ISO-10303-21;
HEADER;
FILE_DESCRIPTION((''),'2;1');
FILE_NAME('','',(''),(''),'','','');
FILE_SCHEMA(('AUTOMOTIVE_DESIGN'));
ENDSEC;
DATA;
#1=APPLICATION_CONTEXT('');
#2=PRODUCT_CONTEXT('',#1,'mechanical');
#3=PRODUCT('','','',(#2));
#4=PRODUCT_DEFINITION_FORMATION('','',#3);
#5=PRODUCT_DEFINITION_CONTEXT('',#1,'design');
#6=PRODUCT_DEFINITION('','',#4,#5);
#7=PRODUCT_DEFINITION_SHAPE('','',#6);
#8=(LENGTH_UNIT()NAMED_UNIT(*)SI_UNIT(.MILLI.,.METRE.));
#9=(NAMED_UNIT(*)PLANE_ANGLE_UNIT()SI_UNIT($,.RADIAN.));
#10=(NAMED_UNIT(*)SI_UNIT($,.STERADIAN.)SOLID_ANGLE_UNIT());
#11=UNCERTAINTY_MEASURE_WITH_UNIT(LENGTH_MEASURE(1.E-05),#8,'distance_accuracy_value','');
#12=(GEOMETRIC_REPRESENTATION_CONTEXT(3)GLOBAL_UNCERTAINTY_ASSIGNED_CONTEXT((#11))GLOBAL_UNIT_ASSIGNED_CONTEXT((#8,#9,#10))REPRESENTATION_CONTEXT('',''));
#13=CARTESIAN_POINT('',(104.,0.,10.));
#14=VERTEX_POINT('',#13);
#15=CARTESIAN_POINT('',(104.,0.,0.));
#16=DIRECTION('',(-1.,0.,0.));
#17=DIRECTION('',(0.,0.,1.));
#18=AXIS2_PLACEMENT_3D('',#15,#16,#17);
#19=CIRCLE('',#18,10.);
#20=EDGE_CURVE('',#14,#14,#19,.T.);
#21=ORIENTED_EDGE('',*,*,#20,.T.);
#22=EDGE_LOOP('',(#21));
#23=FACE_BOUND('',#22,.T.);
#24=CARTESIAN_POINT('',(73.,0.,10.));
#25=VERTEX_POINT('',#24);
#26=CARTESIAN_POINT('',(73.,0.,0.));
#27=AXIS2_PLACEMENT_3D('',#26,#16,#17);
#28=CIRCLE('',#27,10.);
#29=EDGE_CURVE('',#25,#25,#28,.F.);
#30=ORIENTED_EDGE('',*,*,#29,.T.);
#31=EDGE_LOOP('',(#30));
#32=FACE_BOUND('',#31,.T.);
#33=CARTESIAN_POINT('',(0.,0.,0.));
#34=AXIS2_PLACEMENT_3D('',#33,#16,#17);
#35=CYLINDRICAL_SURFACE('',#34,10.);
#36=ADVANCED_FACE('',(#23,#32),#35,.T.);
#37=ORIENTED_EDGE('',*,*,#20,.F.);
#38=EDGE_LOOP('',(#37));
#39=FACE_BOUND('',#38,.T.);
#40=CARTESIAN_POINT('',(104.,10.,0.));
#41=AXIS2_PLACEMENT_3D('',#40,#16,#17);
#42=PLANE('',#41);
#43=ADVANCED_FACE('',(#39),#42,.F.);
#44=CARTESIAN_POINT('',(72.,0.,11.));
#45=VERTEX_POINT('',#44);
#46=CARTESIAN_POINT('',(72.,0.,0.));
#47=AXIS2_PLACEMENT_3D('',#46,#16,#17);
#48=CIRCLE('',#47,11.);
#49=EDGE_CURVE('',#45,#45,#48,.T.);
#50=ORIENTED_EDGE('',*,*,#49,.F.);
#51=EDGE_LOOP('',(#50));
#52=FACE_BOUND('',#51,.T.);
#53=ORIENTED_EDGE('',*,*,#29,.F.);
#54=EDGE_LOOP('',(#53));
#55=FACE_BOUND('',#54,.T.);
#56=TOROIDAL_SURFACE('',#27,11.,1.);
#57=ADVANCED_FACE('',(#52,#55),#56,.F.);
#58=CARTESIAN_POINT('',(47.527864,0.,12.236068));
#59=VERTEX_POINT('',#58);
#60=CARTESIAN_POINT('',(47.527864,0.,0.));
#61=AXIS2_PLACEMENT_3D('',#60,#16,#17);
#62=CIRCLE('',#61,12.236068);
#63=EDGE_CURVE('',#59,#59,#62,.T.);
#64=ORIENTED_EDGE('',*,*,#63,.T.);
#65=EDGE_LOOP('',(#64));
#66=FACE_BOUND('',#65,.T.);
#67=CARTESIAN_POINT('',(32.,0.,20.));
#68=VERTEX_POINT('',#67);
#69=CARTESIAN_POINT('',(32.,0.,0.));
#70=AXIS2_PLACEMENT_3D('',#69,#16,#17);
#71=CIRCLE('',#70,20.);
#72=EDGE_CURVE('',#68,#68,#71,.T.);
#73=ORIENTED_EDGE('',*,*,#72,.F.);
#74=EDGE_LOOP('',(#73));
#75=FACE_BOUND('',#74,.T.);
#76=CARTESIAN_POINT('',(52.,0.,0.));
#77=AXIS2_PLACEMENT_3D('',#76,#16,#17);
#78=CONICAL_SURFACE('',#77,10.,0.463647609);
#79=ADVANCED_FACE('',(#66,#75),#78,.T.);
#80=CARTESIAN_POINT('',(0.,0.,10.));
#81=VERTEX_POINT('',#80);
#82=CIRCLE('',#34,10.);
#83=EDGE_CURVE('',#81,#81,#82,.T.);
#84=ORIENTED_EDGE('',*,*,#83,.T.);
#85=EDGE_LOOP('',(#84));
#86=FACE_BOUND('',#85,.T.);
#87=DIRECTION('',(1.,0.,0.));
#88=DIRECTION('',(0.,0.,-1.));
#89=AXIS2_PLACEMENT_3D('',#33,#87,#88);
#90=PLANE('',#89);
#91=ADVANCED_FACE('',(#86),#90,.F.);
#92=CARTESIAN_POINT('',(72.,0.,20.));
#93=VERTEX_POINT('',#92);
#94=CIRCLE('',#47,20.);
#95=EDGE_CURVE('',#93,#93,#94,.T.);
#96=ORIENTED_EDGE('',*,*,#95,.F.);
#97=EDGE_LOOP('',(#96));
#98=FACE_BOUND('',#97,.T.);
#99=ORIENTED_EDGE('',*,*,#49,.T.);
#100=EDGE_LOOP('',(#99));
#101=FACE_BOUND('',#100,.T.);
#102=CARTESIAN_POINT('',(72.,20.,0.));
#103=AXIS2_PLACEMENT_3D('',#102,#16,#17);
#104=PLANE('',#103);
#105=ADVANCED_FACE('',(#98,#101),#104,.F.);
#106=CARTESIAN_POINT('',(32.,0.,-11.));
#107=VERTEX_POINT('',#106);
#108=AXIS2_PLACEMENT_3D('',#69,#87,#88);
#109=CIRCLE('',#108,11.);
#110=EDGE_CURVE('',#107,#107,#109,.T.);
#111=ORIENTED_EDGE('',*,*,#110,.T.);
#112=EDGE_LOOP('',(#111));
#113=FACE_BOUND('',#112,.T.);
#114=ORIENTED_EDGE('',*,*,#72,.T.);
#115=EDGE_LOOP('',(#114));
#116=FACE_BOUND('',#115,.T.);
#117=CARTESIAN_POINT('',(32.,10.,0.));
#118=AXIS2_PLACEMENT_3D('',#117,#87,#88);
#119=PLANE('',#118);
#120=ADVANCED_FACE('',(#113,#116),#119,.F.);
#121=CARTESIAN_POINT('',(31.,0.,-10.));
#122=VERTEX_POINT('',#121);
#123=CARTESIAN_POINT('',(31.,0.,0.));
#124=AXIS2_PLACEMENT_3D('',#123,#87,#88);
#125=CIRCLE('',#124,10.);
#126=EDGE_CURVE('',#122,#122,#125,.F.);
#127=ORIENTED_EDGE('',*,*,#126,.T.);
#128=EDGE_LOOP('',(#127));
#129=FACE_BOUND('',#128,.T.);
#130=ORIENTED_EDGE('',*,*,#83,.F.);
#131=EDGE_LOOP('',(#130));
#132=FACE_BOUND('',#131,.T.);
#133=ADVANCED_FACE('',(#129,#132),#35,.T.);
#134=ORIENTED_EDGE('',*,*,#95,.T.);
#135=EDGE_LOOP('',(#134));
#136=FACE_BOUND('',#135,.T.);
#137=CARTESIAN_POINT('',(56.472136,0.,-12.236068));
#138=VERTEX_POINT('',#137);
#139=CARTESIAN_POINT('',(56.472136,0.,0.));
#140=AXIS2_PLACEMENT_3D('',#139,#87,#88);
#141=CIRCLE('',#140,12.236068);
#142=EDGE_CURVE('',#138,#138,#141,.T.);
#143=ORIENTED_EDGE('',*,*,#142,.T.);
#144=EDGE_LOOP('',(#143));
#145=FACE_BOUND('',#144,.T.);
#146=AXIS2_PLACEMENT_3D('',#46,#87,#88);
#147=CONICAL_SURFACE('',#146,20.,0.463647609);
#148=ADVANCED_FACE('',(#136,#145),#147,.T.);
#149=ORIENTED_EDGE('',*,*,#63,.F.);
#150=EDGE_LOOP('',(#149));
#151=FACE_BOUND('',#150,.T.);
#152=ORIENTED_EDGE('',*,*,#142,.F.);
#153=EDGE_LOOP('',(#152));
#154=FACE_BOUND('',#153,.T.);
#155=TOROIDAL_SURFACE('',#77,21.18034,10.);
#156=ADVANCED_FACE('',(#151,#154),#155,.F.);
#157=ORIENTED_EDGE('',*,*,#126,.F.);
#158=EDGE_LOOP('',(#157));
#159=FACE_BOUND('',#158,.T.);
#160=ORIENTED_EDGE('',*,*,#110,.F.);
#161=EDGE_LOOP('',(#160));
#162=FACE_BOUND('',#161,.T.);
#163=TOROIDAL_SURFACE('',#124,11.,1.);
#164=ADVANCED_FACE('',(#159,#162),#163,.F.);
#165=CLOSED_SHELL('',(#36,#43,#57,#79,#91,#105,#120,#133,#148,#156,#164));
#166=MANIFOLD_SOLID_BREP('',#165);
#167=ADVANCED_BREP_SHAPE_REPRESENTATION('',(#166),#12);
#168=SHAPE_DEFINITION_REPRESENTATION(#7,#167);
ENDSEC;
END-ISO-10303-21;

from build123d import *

# Parameters (mm, degrees)
FILLET1_R = 1
FILLET2_R = 10


with BuildPart() as part:
    # Sketch1 → Revolve1 (revolve)
    with BuildSketch(Plane.XY, mode=Mode.PRIVATE) as revolve1_sk:
        Polygon((0, 0), (0, 10), (32, 10), (32, 20), (52, 10), (72, 20), (72, 10), (104, 10), (104, 0), align=None)
    revolve(revolve1_sk.sketch.rotate(Axis((0, 0, 0), (1, 0, 0)), 90), axis=Axis((0, 0, 0), (1, 0, 0)))

    # Fillet1
    fillet1_edges = [part.edges().sort_by_distance(p)[0] for p in [
        (32, 0, -10),
        (72, 0, -10),
    ]]
    fillet(fillet1_edges, radius=FILLET1_R)

    # Fillet2
    fillet2_edges = [part.edges().sort_by_distance(p)[0] for p in [
        (52, 0, -10),
    ]]
    fillet(fillet2_edges, radius=FILLET2_R)


solid = part.part
